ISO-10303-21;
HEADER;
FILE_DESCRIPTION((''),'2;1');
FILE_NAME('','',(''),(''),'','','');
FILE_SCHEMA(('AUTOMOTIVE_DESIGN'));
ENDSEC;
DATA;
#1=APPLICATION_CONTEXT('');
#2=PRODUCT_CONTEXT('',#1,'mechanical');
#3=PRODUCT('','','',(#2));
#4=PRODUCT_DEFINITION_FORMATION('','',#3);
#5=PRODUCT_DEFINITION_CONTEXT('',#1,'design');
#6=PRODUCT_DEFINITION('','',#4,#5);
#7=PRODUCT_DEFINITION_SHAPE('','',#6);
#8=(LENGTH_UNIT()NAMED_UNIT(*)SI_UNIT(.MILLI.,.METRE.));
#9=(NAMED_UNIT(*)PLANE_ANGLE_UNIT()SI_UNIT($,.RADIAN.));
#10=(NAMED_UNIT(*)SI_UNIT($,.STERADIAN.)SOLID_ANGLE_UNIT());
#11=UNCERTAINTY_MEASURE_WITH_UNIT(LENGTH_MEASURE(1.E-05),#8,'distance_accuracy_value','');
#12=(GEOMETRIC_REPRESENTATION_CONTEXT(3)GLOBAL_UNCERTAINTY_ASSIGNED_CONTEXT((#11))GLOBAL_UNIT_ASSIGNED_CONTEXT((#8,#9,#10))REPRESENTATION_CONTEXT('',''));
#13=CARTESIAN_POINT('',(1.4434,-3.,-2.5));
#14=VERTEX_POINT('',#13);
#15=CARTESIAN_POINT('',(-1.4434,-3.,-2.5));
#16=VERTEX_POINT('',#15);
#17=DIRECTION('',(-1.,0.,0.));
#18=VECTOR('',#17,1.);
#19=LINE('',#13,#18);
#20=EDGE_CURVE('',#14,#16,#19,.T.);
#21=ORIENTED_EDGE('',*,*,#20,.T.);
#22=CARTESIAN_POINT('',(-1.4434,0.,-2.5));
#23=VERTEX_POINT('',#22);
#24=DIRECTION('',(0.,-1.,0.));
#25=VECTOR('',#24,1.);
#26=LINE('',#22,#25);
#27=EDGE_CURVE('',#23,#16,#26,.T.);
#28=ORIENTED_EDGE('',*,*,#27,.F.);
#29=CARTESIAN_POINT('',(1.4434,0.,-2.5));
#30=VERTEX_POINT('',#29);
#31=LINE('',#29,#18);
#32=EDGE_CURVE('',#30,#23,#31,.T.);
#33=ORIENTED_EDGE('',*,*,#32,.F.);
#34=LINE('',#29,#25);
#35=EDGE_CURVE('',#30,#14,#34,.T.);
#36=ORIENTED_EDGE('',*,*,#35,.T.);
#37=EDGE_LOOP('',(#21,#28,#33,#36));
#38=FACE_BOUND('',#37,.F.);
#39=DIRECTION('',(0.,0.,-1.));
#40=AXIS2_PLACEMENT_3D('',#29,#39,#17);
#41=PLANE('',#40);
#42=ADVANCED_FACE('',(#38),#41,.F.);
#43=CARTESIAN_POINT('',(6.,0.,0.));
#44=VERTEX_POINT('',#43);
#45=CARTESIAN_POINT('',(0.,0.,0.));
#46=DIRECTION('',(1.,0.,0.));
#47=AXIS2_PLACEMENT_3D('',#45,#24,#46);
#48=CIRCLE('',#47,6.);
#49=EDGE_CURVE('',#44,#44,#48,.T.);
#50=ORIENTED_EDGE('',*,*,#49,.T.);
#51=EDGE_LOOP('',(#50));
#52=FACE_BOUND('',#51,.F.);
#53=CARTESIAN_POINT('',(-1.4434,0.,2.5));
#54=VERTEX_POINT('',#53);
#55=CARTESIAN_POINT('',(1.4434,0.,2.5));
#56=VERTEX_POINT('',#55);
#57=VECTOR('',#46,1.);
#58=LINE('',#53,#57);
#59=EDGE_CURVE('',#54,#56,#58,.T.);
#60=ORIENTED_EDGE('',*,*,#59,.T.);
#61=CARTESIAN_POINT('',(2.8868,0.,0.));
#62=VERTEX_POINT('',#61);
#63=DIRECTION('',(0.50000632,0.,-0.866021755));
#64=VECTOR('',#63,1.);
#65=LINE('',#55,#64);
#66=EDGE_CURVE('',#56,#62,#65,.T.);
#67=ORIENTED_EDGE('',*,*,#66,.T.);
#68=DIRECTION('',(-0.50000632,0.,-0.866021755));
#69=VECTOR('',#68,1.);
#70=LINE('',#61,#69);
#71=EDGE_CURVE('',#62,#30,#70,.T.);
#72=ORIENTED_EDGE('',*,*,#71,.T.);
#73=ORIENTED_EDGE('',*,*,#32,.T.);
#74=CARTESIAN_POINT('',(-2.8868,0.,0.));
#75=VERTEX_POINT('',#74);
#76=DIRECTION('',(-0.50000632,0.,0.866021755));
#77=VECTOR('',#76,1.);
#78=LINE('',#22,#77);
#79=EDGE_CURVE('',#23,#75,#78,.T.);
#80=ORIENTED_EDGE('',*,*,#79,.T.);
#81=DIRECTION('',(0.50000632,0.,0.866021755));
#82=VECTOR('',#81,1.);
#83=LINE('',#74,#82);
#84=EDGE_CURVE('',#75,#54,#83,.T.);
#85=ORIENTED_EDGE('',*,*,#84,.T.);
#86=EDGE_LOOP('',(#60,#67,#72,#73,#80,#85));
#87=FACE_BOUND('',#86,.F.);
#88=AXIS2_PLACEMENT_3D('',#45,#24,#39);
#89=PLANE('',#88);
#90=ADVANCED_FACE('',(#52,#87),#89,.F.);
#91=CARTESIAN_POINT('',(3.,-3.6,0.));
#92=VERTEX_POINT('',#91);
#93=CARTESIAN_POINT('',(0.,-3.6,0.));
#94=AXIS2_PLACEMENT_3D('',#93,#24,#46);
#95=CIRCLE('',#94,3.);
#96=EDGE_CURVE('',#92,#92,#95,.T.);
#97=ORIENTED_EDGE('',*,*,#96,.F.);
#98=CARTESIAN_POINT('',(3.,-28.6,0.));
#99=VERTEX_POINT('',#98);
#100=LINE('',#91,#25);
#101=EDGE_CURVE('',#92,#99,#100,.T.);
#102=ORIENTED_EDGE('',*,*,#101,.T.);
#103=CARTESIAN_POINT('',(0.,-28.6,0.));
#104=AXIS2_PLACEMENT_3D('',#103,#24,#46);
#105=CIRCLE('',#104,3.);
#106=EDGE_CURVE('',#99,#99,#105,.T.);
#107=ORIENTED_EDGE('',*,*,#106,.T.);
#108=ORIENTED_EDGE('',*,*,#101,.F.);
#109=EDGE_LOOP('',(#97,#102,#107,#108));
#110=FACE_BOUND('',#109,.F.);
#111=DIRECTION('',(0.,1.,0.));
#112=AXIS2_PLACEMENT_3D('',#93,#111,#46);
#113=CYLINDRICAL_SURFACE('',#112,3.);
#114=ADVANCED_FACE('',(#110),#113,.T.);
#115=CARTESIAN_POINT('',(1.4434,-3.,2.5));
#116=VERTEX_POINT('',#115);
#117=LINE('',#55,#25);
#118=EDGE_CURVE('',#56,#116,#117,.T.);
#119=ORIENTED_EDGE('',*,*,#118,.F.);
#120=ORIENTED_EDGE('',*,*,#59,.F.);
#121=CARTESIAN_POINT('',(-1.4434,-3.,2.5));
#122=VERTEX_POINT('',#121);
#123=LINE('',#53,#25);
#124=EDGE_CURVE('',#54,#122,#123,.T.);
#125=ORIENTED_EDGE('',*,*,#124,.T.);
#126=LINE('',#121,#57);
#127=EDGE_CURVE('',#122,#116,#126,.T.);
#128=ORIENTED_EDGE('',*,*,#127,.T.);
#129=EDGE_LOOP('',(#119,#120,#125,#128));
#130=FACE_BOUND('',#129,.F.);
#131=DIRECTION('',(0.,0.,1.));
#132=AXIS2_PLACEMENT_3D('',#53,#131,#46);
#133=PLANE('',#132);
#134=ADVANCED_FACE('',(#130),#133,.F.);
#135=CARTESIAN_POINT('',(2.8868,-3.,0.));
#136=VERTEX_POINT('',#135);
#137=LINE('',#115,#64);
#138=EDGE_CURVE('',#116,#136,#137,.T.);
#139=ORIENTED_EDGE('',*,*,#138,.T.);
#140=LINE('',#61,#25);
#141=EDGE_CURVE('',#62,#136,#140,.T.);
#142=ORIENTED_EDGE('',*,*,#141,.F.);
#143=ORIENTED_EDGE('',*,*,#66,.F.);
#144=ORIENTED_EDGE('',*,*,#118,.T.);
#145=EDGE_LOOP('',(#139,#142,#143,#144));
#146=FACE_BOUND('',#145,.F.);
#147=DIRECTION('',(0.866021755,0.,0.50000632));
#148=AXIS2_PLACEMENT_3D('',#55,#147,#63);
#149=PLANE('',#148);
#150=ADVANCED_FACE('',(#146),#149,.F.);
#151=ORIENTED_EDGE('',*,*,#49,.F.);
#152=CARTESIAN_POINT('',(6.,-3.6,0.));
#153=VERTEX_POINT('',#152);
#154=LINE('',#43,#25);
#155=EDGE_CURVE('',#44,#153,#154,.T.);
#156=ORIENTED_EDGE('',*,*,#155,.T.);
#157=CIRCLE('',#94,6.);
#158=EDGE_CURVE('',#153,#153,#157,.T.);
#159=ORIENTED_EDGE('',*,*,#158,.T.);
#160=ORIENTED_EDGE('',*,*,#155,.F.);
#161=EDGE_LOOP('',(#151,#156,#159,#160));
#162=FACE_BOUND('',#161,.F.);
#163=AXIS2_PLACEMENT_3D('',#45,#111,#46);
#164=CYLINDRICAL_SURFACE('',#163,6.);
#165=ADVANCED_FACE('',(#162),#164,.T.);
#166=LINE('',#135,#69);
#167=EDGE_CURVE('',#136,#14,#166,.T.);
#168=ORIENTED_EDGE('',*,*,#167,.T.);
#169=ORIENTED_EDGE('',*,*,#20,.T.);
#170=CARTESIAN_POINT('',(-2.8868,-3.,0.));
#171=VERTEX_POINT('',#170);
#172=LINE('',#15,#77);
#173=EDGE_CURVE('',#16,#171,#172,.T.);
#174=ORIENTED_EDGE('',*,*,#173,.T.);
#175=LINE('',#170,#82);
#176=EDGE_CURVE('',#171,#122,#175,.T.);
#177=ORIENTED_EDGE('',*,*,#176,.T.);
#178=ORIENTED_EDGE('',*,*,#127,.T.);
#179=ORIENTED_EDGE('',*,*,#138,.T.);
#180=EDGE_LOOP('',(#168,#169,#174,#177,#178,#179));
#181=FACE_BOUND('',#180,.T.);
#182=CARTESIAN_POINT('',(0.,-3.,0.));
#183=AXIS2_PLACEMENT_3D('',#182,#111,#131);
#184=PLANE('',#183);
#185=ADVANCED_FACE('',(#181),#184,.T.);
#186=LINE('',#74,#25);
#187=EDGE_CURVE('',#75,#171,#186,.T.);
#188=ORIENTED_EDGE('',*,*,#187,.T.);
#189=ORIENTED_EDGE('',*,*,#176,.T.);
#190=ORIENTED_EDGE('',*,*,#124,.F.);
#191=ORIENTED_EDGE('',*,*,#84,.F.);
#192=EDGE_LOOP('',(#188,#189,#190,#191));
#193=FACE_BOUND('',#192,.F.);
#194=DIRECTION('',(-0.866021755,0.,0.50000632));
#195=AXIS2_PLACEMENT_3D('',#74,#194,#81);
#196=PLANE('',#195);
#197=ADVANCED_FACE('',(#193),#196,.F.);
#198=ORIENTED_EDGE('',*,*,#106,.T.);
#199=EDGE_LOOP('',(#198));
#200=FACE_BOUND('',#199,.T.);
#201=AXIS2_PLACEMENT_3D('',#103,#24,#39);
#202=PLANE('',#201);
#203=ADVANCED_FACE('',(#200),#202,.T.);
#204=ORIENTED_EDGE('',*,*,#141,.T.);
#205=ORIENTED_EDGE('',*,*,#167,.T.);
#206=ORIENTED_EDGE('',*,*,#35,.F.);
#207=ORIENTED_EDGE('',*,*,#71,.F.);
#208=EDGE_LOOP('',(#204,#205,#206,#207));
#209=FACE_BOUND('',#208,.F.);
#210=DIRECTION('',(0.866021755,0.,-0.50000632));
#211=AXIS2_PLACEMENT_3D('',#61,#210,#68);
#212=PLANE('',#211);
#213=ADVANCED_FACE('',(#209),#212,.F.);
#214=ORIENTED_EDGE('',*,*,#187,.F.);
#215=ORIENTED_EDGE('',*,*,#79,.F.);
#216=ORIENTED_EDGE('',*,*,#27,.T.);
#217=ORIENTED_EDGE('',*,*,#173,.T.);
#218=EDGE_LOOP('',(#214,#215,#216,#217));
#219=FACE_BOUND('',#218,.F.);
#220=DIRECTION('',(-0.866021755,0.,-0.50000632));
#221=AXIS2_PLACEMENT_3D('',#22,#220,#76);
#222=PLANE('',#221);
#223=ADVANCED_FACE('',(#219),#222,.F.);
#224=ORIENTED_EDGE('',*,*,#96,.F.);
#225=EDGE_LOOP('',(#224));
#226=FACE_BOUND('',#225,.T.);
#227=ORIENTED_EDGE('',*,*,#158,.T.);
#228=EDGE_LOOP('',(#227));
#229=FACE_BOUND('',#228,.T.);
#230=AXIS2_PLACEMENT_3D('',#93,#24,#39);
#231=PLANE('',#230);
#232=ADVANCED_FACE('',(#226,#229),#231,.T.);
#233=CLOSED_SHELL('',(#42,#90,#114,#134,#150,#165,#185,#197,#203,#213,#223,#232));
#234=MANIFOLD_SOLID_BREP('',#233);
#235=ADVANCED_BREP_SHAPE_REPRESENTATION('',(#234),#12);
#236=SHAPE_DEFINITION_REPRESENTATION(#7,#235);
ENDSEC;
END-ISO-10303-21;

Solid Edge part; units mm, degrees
sketch "Sketch1" plane through (0, 0, 0) normal (0, -1, 0) x (1, 0, 0)
  circle A0 centre (0, 0) radius 6
extrude "Protrusion1" add sketch "Sketch1" along normal blind 3.6
sketch "Sketch2" plane through (0, -3.6, 0) normal (0, -1, 0) x (1, 0, 0)
  circle A0 centre (0, 0) radius 3
extrude "Protrusion2" add sketch "Sketch2" along normal blind 25
cosmetic_thread "Thread1" size "M6"
sketch "Sketch3" plane through (0, 0, 0) normal (0, 1, 0) x (0, 0, -1)
  line L0 (2.5, -1.4434) -> (2.5, 1.4434)
  line L1 (2.5, 1.4434) -> (0, 2.8868)
  line L2 (0, 2.8868) -> (-2.5, 1.4434)
  line L3 (-2.5, 1.4434) -> (-2.5, -1.4434)
  line L4 (-2.5, -1.4434) -> (0, -2.8868)
  line L5 (0, -2.8868) -> (2.5, -1.4434)
extrude "ExtrudedCutout_4" cut sketch "Sketch3" against normal blind 3
properties material "Nylon, general purpose"
